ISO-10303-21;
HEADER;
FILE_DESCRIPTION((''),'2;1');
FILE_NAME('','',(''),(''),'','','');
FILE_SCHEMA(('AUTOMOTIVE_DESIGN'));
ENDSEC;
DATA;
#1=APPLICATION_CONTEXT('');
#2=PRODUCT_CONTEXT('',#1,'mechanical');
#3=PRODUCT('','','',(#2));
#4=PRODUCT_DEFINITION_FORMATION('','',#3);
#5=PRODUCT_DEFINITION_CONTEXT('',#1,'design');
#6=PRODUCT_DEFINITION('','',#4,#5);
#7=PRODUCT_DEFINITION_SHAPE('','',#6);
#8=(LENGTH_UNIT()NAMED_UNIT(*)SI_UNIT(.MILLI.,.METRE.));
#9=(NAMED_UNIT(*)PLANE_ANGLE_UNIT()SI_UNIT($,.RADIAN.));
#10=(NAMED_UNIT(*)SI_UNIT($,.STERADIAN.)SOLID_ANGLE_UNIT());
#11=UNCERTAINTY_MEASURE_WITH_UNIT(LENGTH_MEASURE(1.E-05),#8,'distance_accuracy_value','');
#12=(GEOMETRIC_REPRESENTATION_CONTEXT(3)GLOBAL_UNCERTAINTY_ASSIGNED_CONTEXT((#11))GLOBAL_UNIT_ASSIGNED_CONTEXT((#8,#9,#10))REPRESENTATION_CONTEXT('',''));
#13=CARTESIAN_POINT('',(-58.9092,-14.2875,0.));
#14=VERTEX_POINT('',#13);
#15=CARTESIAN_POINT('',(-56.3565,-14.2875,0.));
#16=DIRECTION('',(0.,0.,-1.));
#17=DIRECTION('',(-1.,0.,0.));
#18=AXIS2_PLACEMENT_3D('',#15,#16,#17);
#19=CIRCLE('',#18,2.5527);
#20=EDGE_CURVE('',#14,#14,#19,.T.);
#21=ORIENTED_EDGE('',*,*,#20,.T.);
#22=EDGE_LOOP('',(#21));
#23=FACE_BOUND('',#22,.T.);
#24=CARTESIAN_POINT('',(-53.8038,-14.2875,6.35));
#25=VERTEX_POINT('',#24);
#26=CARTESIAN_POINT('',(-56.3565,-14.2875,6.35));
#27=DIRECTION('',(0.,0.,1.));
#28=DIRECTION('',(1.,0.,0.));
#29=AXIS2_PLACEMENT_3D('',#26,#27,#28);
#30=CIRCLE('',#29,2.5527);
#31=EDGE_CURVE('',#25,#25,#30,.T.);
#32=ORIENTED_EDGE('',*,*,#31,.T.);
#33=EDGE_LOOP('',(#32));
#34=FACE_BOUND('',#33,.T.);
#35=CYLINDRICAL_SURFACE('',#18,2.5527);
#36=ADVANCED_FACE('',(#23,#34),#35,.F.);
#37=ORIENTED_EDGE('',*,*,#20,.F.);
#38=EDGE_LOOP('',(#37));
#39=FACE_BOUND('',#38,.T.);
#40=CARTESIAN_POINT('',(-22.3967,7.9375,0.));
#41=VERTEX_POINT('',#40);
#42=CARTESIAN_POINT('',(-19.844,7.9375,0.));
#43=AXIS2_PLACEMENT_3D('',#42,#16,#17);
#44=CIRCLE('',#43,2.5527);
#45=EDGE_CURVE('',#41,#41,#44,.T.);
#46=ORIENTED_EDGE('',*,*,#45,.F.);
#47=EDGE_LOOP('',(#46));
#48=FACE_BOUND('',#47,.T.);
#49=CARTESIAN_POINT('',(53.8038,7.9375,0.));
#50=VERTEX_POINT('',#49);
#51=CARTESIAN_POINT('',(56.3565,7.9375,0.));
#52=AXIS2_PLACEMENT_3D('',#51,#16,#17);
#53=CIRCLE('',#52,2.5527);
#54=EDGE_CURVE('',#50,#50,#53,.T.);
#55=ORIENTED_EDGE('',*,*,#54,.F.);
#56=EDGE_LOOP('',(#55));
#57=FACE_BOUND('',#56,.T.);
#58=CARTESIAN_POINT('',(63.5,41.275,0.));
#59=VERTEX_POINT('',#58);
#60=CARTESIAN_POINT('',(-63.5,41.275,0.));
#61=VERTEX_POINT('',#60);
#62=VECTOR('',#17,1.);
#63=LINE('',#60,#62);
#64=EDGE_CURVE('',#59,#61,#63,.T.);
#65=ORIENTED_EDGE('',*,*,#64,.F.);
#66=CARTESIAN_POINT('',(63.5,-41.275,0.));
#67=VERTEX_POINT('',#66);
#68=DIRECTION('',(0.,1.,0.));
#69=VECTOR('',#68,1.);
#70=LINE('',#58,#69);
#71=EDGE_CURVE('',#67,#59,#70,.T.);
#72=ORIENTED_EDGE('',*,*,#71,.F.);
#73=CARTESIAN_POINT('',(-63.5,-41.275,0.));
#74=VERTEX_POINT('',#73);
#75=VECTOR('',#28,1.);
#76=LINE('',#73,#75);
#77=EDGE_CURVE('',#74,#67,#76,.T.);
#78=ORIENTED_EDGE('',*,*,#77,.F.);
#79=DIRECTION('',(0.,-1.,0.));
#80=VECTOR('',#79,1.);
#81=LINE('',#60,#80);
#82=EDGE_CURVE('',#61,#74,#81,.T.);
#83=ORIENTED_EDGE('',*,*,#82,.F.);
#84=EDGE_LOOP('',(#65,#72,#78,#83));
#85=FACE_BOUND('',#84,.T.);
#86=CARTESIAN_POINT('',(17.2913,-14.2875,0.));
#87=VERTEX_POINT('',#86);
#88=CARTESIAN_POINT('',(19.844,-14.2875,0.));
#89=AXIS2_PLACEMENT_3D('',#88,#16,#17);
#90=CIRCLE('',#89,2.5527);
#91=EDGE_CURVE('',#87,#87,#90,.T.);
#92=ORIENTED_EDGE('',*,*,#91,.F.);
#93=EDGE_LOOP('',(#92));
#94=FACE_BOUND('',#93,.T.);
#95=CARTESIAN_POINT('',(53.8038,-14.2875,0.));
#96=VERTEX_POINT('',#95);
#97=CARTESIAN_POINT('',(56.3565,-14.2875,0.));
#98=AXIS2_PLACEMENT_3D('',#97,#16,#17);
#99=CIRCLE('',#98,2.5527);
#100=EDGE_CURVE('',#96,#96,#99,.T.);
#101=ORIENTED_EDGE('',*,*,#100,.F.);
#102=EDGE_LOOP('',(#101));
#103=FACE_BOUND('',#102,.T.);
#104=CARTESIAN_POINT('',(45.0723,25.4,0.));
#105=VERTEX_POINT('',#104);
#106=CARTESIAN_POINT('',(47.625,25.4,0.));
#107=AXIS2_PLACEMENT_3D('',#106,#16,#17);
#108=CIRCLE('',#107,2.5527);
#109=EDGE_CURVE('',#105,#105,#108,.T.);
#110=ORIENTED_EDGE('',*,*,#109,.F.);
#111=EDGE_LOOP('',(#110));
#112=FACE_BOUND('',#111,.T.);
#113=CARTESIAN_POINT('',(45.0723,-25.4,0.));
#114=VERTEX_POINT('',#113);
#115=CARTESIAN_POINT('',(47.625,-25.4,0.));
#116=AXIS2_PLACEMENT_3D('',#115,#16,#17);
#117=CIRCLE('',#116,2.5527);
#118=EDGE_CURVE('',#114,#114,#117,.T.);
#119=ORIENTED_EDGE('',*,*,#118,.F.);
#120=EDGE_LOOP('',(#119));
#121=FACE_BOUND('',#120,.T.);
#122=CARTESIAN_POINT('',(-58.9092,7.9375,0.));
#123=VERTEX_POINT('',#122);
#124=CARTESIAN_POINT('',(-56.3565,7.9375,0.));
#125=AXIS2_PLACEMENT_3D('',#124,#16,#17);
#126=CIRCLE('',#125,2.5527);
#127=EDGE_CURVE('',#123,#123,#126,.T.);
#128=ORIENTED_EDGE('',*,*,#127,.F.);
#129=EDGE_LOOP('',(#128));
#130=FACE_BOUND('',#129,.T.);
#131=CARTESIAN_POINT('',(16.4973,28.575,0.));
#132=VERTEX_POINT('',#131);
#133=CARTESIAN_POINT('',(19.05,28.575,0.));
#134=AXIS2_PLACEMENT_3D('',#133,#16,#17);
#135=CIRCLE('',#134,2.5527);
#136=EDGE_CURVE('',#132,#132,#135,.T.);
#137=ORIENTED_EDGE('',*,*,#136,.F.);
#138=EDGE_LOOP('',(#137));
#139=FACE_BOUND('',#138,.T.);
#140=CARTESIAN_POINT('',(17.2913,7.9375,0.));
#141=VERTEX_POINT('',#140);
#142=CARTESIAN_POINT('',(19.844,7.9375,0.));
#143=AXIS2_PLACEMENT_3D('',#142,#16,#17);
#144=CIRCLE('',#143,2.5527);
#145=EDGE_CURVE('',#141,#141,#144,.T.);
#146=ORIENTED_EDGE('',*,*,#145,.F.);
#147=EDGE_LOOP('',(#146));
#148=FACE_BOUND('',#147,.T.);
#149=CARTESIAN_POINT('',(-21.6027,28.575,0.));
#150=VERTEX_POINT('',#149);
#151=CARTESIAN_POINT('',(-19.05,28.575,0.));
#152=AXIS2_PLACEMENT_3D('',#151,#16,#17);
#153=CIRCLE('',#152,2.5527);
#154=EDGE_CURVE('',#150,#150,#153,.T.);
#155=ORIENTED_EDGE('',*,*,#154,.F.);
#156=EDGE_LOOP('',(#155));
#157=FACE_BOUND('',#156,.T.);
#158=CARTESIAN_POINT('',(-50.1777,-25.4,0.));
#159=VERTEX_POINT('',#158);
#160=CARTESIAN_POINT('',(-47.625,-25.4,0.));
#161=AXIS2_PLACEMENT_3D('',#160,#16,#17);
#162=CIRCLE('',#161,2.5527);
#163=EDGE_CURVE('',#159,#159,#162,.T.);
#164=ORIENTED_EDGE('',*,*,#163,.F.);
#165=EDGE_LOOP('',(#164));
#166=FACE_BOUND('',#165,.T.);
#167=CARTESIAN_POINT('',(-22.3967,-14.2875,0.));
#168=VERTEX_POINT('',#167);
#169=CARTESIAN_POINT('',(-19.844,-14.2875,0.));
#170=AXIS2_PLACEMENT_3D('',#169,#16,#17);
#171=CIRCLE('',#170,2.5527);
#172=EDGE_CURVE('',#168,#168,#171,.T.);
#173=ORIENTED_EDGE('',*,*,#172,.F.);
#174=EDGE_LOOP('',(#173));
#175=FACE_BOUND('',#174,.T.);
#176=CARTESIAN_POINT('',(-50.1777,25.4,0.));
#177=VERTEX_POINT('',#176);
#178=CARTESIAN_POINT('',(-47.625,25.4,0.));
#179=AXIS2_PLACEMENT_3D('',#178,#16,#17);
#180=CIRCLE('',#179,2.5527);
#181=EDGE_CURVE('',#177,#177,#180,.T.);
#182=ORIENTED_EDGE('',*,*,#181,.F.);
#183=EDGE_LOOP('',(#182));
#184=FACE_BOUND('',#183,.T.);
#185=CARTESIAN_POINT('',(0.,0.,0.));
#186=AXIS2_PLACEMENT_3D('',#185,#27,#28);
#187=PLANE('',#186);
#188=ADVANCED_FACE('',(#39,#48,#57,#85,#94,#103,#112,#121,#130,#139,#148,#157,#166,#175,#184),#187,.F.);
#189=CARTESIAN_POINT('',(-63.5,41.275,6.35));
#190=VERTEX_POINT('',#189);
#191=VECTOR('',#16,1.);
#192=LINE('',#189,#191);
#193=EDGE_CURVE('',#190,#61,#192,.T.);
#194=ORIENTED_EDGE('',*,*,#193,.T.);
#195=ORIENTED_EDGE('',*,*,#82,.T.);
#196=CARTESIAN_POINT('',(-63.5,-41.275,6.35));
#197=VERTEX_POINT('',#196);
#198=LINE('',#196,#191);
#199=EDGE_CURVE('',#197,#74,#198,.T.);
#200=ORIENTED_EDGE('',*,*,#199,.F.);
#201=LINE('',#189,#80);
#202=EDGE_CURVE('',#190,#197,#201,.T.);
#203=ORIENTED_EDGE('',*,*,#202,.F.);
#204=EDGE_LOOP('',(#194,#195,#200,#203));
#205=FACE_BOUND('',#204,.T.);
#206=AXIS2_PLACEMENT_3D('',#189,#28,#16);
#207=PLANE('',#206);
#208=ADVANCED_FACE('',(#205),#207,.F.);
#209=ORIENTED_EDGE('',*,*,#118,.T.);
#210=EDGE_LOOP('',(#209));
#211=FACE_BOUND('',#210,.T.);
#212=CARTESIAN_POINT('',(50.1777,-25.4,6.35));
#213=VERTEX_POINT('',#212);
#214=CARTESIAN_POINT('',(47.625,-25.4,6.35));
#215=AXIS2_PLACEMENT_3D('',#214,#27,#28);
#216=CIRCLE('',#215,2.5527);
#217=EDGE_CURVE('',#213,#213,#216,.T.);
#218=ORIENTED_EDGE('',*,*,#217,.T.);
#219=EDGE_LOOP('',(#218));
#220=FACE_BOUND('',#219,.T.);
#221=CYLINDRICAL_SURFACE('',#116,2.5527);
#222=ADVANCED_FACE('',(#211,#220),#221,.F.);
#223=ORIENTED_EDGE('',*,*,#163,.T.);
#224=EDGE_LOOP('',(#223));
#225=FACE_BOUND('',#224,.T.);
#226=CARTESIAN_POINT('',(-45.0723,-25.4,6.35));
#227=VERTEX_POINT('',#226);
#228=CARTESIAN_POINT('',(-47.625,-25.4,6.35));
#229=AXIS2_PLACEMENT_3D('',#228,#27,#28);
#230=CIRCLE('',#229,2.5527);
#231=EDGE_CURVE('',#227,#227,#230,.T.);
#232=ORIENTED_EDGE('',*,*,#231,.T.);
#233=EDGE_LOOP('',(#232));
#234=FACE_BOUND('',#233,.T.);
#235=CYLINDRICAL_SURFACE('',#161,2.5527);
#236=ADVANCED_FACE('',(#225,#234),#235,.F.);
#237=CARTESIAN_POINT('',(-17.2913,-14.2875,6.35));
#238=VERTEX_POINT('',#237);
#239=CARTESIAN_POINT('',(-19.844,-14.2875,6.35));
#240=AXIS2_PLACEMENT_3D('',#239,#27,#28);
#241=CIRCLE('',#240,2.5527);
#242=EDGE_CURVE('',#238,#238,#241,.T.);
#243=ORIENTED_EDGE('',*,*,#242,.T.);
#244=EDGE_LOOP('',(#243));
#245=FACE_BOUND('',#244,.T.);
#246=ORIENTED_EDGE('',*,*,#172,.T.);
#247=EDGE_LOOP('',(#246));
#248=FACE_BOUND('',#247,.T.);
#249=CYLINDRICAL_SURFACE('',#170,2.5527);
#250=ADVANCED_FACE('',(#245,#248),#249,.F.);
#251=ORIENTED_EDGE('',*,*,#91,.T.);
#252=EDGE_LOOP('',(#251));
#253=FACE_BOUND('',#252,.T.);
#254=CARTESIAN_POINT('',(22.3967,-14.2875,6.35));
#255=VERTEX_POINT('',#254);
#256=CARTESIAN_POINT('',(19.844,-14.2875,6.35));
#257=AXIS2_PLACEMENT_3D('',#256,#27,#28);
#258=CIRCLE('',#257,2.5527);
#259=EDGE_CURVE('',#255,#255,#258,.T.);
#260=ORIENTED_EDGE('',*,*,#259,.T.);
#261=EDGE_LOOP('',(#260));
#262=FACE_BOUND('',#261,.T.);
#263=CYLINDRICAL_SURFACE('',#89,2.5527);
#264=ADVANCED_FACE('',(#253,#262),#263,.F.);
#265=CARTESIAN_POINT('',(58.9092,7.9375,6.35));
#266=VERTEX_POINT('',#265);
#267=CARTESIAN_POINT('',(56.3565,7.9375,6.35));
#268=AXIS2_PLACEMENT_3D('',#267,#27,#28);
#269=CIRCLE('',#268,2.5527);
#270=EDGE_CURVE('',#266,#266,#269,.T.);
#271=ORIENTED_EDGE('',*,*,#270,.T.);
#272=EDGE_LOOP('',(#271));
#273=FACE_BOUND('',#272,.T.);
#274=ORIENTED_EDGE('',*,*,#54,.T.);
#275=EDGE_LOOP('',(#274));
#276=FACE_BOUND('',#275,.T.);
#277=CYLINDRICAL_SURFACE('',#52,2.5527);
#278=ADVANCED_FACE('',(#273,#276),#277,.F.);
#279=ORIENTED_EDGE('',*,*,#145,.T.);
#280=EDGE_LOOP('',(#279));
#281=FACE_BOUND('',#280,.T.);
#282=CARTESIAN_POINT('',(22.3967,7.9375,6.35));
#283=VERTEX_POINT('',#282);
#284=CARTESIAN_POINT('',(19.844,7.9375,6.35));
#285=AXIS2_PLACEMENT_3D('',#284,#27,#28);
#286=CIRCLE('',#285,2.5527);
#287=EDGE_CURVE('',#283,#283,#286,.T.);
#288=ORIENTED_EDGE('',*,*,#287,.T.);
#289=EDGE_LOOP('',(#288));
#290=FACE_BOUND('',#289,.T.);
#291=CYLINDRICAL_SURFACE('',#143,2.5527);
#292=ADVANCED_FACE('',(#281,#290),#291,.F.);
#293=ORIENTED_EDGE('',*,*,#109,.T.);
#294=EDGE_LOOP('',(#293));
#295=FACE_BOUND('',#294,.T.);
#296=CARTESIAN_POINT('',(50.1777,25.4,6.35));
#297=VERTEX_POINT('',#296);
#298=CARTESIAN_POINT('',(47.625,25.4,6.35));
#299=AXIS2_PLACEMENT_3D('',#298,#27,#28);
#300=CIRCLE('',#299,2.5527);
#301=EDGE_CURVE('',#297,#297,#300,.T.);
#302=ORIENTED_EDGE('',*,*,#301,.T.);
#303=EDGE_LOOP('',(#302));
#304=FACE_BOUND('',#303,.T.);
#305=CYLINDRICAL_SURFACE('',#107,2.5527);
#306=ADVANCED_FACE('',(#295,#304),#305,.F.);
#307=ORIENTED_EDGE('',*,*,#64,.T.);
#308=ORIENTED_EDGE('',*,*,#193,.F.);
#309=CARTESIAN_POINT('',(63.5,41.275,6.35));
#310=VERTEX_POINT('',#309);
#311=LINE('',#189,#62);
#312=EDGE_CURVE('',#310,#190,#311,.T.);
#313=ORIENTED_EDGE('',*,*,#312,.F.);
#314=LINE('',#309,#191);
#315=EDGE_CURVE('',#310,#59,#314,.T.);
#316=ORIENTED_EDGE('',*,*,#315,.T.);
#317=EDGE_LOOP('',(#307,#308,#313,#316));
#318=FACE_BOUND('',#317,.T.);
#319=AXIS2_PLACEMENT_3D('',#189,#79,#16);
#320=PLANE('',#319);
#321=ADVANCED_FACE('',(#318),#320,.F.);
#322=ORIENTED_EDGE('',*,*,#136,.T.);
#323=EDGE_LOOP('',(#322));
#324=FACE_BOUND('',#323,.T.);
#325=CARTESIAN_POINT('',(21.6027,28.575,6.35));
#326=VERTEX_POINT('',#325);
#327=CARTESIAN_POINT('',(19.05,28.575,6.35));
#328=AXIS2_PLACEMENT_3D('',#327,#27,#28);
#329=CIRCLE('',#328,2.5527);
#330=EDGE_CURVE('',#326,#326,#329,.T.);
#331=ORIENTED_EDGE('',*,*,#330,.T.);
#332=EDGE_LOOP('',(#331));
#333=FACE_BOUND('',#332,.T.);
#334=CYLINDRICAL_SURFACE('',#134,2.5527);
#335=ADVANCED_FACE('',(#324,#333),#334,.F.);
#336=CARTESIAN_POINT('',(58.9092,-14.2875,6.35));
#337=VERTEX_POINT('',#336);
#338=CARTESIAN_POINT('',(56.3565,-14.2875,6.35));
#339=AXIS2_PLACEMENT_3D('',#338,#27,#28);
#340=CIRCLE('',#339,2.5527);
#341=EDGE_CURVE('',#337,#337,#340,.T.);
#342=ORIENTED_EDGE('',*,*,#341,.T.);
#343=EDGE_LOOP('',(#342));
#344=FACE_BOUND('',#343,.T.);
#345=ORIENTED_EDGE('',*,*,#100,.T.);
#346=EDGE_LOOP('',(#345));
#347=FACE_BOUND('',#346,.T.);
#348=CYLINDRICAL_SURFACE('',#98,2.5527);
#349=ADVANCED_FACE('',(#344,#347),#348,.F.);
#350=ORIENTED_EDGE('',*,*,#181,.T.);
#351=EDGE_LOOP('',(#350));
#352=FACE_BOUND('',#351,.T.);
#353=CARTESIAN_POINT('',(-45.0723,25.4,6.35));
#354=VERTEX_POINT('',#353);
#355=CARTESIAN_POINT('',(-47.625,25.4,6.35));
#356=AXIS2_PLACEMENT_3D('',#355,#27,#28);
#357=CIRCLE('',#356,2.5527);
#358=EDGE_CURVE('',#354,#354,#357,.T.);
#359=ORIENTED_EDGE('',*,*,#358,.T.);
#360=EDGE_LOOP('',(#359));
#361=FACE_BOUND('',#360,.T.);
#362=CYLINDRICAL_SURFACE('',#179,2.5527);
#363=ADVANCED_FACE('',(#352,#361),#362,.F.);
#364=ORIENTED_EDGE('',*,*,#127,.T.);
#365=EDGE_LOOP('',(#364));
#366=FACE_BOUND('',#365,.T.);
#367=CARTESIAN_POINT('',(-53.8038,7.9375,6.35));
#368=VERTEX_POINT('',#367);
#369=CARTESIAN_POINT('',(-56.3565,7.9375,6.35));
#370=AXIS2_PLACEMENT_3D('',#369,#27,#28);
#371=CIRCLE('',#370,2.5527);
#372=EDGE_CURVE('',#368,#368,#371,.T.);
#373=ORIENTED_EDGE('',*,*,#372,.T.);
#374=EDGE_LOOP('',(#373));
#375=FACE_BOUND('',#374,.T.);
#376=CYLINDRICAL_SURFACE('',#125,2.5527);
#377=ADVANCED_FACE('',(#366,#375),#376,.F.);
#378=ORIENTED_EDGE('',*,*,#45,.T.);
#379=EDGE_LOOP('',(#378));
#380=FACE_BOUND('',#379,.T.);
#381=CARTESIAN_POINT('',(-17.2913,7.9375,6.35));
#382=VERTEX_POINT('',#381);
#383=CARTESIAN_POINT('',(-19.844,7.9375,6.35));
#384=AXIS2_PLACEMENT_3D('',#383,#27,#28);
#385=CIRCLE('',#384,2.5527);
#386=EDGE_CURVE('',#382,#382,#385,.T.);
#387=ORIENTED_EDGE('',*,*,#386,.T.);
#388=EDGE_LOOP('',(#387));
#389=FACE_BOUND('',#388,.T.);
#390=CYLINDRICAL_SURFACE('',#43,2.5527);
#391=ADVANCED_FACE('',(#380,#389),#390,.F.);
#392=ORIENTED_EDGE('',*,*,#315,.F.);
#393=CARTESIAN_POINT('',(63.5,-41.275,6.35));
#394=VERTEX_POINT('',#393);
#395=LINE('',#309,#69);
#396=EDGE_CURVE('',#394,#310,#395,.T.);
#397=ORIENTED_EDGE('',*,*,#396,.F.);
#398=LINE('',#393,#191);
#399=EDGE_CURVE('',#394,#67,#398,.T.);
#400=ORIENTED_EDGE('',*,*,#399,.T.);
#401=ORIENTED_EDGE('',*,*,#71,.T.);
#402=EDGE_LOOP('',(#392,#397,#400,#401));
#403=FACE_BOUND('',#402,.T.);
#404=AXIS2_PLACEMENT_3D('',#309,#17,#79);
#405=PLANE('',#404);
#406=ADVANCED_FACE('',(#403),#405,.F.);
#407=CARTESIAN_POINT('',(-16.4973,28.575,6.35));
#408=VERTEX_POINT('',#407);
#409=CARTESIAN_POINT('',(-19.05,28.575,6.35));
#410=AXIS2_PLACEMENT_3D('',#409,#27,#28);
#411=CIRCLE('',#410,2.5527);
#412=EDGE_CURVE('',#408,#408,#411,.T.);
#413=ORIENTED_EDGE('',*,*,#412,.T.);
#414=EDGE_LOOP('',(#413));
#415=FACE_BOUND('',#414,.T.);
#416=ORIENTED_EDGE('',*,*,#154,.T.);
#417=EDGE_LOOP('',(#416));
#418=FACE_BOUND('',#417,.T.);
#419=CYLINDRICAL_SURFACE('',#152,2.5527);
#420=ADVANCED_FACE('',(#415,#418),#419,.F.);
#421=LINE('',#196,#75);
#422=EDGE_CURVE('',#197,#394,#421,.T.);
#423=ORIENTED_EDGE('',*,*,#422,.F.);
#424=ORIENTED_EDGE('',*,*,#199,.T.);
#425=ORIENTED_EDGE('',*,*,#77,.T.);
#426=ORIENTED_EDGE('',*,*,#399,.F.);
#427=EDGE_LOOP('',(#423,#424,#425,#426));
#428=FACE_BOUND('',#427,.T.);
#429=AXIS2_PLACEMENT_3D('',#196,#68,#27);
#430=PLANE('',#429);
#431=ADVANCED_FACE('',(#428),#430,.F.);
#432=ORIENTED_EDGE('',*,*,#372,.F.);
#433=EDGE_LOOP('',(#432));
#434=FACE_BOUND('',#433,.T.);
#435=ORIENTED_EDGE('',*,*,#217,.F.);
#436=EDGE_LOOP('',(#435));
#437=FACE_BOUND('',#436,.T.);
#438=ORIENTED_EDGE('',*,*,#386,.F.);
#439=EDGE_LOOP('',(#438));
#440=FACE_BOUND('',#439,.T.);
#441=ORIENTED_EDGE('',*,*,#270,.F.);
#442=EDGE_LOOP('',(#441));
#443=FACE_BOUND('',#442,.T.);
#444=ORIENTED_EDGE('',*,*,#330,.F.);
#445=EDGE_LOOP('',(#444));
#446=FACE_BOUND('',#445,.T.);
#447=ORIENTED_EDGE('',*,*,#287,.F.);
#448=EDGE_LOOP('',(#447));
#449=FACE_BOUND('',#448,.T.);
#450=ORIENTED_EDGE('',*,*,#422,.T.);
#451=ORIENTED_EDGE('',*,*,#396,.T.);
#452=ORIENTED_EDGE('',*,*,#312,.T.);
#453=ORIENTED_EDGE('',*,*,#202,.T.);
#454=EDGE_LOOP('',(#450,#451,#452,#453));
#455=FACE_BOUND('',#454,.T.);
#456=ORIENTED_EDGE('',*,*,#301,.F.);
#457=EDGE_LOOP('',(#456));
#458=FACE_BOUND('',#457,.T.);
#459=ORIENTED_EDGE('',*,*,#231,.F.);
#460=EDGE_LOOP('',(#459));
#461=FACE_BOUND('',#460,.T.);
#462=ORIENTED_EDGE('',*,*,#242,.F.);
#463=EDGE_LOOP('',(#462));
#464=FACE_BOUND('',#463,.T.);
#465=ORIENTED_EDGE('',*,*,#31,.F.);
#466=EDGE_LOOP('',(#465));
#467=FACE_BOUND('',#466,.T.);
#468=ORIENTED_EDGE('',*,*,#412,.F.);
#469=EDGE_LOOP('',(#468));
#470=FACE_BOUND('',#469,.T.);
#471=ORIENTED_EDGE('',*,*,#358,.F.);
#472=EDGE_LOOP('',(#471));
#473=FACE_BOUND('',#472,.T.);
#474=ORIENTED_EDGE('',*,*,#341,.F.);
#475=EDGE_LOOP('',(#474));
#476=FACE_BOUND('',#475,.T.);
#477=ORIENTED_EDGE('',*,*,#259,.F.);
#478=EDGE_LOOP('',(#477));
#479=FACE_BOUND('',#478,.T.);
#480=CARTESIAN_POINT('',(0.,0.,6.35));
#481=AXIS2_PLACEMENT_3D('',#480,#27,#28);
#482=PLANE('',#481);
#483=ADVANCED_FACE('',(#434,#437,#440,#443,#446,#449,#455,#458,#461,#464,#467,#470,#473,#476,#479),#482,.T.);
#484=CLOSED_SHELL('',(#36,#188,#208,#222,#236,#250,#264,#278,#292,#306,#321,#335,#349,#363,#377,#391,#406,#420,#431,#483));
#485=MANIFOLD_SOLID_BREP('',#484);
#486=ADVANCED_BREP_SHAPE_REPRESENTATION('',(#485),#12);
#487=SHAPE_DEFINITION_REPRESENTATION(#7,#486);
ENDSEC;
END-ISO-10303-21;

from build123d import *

# Parameters (mm, degrees)
SKETCH1_W                     = 127
SKETCH1_H                     = 82.55
PLATE_DEPTH                   = 6.35
BEARING_NUT_HELICOIL_HOLES_D  = 5.1054
ROUTER_MOUNT_HELICOIL_HOLES_D = 5.1054


with BuildPart() as part:
    # Sketch1 → Plate (new body)
    with BuildSketch(Plane.XY):
        Rectangle(SKETCH1_W, SKETCH1_H)
    extrude(amount=PLATE_DEPTH)

    # Bearing/Nut Helicoil Holes (through all)
    with Locations(Plane(origin=(0, 0, 0), x_dir=(-1, 0, 0), z_dir=(0, 0, -1))):
        with Locations((-56.3565, 7.9375), (-19.844, -14.2875), (-56.3565, -14.2875), (-19.844, 7.9375), (19.844, 7.9375), (56.3565, -14.2875), (19.844, -14.2875), (56.3565, 7.9375), (-19.05, 28.575), (19.05, 28.575)):
            Hole(BEARING_NUT_HELICOIL_HOLES_D / 2)

    # Router Mount Helicoil Holes (through all)
    with Locations(Plane(origin=(0, 0, 0), x_dir=(-1, 0, 0), z_dir=(0, 0, -1))):
        with Locations((-47.625, 25.4), (47.625, -25.4), (-47.625, -25.4), (47.625, 25.4)):
            Hole(ROUTER_MOUNT_HELICOIL_HOLES_D / 2)


solid = part.part
